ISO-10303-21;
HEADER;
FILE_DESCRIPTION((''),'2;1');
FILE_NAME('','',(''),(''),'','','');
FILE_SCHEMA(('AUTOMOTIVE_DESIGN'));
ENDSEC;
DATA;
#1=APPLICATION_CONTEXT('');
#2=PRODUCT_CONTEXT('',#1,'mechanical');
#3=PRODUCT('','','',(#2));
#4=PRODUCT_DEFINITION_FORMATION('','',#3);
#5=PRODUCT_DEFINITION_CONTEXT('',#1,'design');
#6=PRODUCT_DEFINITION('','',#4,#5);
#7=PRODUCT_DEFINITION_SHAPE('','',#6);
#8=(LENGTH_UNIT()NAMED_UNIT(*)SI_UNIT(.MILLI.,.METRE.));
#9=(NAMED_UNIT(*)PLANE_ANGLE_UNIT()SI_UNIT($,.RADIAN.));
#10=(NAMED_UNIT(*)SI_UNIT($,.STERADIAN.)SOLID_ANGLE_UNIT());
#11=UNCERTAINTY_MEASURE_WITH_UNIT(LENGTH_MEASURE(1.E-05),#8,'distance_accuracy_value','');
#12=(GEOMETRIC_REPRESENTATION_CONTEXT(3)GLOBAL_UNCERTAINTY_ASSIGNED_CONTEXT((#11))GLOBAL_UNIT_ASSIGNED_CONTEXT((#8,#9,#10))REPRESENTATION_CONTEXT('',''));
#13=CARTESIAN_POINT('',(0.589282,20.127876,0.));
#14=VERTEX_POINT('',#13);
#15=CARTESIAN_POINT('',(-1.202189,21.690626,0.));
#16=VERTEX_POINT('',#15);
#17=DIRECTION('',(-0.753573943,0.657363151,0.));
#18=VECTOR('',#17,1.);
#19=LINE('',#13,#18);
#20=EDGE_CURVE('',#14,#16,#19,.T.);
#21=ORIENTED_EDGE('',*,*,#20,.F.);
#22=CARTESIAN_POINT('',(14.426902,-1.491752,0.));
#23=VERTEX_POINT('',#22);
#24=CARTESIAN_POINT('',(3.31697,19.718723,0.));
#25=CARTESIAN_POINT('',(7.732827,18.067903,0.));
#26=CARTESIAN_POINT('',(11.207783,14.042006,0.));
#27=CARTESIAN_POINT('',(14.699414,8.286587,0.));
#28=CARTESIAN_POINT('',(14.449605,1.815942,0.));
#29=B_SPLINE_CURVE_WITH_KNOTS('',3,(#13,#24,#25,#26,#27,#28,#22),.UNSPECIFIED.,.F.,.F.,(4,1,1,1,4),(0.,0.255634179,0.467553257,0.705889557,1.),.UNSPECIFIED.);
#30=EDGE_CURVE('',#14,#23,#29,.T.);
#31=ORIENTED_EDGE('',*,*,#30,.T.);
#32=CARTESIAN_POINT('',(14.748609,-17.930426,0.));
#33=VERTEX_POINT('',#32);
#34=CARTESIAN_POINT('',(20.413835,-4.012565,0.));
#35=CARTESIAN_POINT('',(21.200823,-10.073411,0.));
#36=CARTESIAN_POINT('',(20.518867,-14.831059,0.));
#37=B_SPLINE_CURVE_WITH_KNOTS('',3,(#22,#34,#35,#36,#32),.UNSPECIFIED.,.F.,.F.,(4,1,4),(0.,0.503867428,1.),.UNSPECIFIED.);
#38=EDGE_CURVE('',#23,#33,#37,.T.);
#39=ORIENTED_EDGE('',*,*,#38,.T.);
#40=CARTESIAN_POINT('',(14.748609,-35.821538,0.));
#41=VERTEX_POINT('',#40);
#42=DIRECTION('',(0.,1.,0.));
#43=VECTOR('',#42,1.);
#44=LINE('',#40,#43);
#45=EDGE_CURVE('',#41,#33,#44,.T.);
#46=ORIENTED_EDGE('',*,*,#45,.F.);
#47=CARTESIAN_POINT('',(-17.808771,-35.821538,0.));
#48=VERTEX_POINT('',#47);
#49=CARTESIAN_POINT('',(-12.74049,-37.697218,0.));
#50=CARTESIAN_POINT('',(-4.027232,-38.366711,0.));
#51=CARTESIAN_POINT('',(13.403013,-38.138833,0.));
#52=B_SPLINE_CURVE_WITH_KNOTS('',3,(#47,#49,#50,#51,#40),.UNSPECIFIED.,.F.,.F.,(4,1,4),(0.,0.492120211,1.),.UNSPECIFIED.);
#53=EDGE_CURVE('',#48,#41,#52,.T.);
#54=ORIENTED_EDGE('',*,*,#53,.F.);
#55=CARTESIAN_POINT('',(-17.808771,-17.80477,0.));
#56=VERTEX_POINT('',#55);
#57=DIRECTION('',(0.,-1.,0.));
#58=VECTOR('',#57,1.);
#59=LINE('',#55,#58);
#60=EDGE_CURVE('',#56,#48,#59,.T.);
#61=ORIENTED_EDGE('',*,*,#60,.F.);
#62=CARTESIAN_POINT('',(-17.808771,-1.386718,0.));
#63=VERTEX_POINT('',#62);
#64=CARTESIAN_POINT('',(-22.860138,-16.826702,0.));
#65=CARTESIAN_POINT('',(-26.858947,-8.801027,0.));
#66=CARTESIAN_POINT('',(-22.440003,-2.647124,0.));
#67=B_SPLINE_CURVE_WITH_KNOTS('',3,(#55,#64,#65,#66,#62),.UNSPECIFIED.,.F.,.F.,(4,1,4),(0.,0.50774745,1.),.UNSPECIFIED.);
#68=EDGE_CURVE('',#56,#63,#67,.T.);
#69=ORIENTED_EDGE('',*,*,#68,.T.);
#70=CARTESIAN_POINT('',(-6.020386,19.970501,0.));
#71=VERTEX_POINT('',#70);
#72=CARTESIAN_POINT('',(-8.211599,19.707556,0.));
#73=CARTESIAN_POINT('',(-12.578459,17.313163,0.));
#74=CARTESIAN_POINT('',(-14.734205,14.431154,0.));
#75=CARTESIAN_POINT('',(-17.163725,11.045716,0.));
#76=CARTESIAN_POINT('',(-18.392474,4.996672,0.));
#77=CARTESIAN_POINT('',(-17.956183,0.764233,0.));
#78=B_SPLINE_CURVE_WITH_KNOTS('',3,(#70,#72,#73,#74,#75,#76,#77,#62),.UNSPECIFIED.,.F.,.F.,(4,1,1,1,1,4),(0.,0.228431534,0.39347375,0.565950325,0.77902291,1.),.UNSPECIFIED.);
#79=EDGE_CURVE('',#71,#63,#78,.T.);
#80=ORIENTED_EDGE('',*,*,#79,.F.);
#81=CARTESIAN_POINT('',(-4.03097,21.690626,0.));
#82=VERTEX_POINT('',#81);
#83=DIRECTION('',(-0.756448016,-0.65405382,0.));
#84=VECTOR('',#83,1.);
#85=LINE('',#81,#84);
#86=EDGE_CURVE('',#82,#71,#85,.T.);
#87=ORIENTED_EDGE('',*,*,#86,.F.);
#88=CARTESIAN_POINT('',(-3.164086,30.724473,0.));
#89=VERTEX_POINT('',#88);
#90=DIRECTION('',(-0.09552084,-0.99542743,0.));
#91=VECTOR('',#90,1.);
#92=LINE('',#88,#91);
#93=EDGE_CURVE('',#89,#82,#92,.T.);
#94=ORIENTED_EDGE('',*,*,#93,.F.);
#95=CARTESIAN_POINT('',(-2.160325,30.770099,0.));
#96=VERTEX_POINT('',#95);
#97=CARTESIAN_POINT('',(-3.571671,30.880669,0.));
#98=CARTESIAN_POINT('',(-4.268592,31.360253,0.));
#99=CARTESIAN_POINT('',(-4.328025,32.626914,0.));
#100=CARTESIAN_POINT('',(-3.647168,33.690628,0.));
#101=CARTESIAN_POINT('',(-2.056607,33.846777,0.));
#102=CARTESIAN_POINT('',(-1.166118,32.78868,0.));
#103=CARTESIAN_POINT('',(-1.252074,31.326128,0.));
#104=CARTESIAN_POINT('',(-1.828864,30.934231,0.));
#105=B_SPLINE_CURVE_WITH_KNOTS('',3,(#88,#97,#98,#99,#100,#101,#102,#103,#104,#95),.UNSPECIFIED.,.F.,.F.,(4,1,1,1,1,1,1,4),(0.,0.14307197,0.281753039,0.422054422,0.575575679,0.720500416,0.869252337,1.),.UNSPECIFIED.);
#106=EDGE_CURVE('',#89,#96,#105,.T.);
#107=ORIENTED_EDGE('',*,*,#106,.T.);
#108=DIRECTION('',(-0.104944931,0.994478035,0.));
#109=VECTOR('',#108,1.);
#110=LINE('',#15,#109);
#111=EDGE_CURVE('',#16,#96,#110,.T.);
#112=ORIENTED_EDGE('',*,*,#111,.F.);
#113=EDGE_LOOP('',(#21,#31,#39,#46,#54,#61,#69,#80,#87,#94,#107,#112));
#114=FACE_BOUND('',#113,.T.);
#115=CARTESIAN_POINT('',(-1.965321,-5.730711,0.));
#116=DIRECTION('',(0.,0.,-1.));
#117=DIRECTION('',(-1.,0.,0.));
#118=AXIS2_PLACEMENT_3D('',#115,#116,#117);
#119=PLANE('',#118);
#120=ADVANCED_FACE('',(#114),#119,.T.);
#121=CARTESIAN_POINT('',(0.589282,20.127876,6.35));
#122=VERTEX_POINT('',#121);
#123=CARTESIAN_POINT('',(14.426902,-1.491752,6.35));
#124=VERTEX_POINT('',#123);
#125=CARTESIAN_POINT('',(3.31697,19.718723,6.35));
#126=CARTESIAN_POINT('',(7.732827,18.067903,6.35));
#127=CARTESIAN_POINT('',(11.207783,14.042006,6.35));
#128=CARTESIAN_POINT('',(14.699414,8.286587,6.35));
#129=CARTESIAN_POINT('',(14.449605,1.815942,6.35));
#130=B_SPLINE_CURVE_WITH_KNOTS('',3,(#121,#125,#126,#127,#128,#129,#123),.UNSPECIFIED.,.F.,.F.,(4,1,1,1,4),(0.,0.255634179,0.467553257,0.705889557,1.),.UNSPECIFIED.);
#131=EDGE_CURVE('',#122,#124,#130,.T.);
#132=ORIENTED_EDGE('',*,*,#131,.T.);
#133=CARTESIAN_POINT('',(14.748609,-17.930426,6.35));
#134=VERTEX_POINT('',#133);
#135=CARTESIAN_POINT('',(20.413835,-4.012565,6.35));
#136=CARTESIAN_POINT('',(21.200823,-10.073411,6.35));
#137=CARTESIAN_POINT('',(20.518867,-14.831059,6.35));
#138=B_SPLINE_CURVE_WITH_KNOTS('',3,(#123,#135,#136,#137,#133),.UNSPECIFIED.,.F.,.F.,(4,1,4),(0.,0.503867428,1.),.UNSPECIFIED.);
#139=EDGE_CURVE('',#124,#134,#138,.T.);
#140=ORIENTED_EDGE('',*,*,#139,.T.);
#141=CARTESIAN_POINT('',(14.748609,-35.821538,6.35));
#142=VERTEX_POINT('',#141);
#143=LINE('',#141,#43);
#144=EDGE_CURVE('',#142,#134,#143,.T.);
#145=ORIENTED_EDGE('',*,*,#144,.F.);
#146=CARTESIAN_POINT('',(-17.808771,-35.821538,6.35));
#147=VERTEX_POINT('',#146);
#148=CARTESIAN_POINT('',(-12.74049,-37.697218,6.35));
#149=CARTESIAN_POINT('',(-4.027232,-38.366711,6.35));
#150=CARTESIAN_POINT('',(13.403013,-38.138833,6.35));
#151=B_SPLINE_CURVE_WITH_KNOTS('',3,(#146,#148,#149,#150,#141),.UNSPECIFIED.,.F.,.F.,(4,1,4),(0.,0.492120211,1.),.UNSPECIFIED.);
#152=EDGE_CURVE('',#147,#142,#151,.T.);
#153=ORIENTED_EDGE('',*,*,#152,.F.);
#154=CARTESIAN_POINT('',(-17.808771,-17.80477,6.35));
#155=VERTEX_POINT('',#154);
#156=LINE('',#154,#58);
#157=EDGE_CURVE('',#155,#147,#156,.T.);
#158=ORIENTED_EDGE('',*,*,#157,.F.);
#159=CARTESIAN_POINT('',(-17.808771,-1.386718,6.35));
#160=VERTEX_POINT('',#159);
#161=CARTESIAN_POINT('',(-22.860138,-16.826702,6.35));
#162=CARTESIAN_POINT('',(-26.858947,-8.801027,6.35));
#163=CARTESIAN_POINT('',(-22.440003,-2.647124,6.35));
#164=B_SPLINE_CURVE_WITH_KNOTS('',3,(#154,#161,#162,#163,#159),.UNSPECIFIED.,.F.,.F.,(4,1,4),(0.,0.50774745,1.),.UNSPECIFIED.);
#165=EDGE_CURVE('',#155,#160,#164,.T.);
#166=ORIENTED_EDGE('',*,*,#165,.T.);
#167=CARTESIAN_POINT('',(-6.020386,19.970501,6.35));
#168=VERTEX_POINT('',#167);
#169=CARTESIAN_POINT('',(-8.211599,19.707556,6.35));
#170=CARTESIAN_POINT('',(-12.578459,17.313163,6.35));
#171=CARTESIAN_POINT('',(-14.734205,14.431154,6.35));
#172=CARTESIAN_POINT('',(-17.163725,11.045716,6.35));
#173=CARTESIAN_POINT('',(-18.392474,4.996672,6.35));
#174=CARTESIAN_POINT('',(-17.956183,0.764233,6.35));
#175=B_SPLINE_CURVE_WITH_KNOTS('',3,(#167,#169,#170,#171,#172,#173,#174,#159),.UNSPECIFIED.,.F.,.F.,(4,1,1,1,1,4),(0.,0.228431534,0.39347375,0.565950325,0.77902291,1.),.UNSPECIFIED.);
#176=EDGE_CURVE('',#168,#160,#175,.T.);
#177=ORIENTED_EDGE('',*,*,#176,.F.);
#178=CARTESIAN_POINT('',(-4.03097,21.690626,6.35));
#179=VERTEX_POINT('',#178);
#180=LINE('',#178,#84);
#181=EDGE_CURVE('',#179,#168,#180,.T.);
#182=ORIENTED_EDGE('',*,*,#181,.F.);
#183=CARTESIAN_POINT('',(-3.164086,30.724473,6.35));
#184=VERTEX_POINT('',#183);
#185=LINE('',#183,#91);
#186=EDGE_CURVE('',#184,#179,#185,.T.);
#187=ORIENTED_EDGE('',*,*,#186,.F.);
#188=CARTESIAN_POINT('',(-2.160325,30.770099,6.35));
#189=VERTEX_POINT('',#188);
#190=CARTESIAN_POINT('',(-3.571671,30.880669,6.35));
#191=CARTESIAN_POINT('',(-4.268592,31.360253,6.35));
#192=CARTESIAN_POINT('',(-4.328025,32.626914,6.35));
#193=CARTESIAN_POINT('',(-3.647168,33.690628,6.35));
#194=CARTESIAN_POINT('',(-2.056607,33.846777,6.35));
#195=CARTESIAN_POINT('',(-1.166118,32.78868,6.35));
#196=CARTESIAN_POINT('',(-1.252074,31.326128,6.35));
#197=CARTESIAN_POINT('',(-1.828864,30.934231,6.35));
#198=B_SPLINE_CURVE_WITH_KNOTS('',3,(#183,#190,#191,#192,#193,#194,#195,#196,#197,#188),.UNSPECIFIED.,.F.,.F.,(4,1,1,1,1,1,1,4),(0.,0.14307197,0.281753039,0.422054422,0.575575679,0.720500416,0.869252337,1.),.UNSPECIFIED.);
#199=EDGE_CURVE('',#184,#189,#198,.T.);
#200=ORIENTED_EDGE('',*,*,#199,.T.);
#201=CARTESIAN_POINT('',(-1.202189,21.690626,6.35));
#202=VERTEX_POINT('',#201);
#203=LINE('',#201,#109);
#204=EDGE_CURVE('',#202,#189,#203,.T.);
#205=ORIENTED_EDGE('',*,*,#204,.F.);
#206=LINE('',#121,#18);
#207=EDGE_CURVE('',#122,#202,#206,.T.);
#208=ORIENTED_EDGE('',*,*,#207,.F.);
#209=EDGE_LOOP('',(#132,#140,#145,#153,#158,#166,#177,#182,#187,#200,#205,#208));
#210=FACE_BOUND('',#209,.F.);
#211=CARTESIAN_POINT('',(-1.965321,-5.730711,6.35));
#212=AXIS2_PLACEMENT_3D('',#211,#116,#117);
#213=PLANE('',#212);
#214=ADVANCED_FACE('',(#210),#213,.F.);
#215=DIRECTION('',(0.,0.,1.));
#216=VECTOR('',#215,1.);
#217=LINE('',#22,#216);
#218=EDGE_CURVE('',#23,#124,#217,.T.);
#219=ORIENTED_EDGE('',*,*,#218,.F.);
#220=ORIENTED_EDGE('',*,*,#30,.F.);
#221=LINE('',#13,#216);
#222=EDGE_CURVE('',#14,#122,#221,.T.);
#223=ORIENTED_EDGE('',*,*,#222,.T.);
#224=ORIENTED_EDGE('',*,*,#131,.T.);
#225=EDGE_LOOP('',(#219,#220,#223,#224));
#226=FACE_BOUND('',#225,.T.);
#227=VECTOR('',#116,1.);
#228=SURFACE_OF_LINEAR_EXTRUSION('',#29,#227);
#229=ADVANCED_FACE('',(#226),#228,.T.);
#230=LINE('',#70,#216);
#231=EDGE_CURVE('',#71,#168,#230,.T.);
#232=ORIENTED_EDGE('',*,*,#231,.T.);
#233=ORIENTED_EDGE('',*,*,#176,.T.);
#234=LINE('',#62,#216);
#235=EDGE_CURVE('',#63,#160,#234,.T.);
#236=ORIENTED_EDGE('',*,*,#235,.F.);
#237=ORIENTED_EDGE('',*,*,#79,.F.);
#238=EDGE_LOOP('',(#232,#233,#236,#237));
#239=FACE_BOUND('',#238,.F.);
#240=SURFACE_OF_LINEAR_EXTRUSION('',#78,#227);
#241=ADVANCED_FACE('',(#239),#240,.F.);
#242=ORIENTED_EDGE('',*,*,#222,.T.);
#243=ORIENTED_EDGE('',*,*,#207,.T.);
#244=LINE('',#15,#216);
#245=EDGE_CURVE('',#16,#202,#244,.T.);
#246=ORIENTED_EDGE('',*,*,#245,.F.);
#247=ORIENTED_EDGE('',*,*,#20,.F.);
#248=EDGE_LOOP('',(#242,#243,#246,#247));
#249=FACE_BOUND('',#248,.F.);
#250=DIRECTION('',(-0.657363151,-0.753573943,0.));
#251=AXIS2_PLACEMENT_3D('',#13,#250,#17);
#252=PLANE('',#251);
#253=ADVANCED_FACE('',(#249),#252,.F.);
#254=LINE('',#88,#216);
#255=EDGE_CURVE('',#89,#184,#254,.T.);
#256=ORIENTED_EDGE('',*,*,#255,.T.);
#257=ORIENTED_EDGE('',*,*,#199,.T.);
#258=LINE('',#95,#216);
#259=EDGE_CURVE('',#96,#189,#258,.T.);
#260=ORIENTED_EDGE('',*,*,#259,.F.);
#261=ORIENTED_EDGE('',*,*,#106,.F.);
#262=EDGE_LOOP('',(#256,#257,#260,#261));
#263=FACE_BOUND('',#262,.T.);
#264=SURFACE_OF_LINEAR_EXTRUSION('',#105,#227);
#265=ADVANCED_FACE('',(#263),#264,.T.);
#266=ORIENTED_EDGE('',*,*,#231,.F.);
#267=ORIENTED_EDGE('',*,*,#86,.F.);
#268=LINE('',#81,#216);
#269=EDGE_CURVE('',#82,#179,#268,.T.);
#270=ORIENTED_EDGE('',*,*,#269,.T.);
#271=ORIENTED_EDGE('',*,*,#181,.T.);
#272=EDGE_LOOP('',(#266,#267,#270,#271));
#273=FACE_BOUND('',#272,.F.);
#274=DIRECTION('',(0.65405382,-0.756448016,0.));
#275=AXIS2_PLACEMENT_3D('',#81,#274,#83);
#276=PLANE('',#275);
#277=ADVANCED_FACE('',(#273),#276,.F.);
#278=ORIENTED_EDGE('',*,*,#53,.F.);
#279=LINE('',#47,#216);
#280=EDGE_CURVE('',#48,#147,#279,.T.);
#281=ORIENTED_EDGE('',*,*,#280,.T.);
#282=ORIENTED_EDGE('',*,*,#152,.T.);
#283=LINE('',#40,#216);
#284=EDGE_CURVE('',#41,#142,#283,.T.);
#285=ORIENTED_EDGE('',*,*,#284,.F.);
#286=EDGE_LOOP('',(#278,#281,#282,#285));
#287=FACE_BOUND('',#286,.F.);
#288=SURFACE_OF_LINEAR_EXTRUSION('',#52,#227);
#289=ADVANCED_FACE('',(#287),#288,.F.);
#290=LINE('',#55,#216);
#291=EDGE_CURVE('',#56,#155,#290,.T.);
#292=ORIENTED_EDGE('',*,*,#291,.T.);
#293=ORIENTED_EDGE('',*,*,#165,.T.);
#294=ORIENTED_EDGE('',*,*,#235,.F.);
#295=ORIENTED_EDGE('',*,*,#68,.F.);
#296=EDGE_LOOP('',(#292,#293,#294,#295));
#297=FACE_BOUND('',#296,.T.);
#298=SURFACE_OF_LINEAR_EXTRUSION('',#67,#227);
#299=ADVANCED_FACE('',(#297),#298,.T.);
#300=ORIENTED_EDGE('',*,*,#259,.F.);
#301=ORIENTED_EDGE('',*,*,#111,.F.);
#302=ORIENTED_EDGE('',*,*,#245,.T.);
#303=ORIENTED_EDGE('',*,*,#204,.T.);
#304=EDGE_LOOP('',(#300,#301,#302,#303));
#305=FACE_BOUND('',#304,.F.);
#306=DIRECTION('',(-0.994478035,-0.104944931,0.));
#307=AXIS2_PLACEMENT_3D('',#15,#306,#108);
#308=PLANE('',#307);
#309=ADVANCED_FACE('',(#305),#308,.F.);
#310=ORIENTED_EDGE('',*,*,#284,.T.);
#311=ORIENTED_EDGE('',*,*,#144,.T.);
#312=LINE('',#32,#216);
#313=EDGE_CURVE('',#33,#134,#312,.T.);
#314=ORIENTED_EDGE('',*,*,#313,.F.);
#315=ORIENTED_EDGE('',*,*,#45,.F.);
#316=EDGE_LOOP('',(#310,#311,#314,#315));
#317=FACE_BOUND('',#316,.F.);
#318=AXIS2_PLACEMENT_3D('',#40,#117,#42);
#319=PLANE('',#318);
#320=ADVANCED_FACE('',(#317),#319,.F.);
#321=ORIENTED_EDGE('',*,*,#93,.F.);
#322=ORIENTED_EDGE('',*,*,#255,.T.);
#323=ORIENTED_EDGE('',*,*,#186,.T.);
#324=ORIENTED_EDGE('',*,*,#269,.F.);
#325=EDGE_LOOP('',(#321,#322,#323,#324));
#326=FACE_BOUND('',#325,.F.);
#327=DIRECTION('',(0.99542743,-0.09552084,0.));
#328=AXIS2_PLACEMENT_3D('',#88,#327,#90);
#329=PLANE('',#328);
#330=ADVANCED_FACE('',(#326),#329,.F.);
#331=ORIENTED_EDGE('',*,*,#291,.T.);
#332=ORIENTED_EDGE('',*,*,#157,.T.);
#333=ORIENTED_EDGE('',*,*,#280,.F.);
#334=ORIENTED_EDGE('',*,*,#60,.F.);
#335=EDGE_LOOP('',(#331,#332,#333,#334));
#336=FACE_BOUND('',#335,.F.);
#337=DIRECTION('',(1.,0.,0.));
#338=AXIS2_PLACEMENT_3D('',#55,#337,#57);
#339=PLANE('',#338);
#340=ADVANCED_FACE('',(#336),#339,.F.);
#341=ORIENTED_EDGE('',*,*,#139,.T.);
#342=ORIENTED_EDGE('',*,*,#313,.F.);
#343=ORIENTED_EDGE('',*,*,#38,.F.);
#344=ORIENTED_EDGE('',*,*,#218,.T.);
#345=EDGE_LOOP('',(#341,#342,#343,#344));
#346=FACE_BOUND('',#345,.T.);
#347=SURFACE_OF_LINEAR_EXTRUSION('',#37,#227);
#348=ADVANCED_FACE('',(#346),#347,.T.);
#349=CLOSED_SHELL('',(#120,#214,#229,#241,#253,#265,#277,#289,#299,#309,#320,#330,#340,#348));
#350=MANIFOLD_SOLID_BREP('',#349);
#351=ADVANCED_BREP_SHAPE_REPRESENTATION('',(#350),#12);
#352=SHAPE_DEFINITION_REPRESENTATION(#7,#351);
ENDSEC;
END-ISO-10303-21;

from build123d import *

# Parameters (mm, degrees)
F1_DEPTH = 6.35


with BuildPart() as f1:
    # F0 (on Top) → F1 (new body)
    with BuildSketch(Plane.XY):
        with BuildLine():
            add(Edge.make_bspline(
                [(-17.8087707609, -17.8047697991), (-22.8601377457, -16.8267022818), (-26.8589472699, -8.8010269979), (-22.4400032312, -2.6471242309), (-17.8087707609, -1.3867180096)],
                knots=[0, 0, 0, 0, 0.5077474502, 1, 1, 1, 1], degree=3))
            Line((-17.8087707609, -17.8047697991), (-17.8087707609, -30.0455205142))
            Line((-17.8087707609, -30.0455205142), (-17.8087707609, -35.8215384185))
            add(Edge.make_bspline(
                [(-17.8087707609, -35.8215384185), (-12.7404900268, -37.6972183585), (-4.0272323551, -38.3667112626), (13.4030133486, -38.1388328969), (14.7486086935, -35.8215384185)],
                knots=[0, 0, 0, 0, 0.4921202108, 1, 1, 1, 1], degree=3))
            Line((14.7486086935, -35.8215384185), (14.7486086935, -17.9304257035))
            add(Edge.make_bspline(
                [(14.4269019365, -1.4917515218), (20.4138346016, -4.0125651285), (21.2008225366, -10.0734105243), (20.518867299, -14.831058681), (14.7486086935, -17.9304257035)],
                knots=[0, 0, 0, 0, 0.503867428, 1, 1, 1, 1], degree=3))
            add(Edge.make_bspline(
                [(0.5892824847, 20.1278757304), (3.3169696364, 19.7187227484), (7.7328274813, 18.0679030674), (11.2077832285, 14.0420057336), (14.6994140615, 8.286586887), (14.4496048824, 1.8159416174), (14.4269019365, -1.4917515218)],
                knots=[0, 0, 0, 0, 0.255634179, 0.4675532575, 0.7058895566, 1, 1, 1, 1], degree=3))
            Line((0.5892824847, 20.1278757304), (-1.20218948, 21.6906256974))
            Line((-1.20218948, 21.6906256974), (-2.1603249479, 30.7700987905))
            add(Edge.make_bspline(
                [(-3.1640857924, 30.7244732976), (-3.571670647, 30.8806690809), (-4.2685921168, 31.3602531845), (-4.3280254073, 32.6269141204), (-3.6471676987, 33.6906279149), (-2.0566066117, 33.8467765544), (-1.1661180238, 32.7886800072), (-1.2520737733, 31.3261280299), (-1.8288642951, 30.9342307701), (-2.1603249479, 30.7700987905)],
                knots=[0, 0, 0, 0, 0.1430719695, 0.2817530389, 0.4220544222, 0.5755756794, 0.7205004163, 0.8692523372, 1, 1, 1, 1], degree=3))
            Line((-3.1640857924, 30.7244732976), (-4.0309703909, 21.6906256974))
            Line((-4.0309703909, 21.6906256974), (-6.0203862377, 19.9705008417))
            add(Edge.make_bspline(
                [(-6.0203862377, 19.9705008417), (-8.21159944, 19.7075563571), (-12.578458802, 17.3131629037), (-14.7342046184, 14.4311538518), (-17.1637251565, 11.0457164764), (-18.392473973, 4.9966715006), (-17.9561832673, 0.7642328675), (-17.8087707609, -1.3867180096)],
                knots=[0, 0, 0, 0, 0.2284315339, 0.3934737495, 0.5659503247, 0.7790229102, 1, 1, 1, 1], degree=3))
        make_face()
    extrude(amount=F1_DEPTH)


solid = f1.part
